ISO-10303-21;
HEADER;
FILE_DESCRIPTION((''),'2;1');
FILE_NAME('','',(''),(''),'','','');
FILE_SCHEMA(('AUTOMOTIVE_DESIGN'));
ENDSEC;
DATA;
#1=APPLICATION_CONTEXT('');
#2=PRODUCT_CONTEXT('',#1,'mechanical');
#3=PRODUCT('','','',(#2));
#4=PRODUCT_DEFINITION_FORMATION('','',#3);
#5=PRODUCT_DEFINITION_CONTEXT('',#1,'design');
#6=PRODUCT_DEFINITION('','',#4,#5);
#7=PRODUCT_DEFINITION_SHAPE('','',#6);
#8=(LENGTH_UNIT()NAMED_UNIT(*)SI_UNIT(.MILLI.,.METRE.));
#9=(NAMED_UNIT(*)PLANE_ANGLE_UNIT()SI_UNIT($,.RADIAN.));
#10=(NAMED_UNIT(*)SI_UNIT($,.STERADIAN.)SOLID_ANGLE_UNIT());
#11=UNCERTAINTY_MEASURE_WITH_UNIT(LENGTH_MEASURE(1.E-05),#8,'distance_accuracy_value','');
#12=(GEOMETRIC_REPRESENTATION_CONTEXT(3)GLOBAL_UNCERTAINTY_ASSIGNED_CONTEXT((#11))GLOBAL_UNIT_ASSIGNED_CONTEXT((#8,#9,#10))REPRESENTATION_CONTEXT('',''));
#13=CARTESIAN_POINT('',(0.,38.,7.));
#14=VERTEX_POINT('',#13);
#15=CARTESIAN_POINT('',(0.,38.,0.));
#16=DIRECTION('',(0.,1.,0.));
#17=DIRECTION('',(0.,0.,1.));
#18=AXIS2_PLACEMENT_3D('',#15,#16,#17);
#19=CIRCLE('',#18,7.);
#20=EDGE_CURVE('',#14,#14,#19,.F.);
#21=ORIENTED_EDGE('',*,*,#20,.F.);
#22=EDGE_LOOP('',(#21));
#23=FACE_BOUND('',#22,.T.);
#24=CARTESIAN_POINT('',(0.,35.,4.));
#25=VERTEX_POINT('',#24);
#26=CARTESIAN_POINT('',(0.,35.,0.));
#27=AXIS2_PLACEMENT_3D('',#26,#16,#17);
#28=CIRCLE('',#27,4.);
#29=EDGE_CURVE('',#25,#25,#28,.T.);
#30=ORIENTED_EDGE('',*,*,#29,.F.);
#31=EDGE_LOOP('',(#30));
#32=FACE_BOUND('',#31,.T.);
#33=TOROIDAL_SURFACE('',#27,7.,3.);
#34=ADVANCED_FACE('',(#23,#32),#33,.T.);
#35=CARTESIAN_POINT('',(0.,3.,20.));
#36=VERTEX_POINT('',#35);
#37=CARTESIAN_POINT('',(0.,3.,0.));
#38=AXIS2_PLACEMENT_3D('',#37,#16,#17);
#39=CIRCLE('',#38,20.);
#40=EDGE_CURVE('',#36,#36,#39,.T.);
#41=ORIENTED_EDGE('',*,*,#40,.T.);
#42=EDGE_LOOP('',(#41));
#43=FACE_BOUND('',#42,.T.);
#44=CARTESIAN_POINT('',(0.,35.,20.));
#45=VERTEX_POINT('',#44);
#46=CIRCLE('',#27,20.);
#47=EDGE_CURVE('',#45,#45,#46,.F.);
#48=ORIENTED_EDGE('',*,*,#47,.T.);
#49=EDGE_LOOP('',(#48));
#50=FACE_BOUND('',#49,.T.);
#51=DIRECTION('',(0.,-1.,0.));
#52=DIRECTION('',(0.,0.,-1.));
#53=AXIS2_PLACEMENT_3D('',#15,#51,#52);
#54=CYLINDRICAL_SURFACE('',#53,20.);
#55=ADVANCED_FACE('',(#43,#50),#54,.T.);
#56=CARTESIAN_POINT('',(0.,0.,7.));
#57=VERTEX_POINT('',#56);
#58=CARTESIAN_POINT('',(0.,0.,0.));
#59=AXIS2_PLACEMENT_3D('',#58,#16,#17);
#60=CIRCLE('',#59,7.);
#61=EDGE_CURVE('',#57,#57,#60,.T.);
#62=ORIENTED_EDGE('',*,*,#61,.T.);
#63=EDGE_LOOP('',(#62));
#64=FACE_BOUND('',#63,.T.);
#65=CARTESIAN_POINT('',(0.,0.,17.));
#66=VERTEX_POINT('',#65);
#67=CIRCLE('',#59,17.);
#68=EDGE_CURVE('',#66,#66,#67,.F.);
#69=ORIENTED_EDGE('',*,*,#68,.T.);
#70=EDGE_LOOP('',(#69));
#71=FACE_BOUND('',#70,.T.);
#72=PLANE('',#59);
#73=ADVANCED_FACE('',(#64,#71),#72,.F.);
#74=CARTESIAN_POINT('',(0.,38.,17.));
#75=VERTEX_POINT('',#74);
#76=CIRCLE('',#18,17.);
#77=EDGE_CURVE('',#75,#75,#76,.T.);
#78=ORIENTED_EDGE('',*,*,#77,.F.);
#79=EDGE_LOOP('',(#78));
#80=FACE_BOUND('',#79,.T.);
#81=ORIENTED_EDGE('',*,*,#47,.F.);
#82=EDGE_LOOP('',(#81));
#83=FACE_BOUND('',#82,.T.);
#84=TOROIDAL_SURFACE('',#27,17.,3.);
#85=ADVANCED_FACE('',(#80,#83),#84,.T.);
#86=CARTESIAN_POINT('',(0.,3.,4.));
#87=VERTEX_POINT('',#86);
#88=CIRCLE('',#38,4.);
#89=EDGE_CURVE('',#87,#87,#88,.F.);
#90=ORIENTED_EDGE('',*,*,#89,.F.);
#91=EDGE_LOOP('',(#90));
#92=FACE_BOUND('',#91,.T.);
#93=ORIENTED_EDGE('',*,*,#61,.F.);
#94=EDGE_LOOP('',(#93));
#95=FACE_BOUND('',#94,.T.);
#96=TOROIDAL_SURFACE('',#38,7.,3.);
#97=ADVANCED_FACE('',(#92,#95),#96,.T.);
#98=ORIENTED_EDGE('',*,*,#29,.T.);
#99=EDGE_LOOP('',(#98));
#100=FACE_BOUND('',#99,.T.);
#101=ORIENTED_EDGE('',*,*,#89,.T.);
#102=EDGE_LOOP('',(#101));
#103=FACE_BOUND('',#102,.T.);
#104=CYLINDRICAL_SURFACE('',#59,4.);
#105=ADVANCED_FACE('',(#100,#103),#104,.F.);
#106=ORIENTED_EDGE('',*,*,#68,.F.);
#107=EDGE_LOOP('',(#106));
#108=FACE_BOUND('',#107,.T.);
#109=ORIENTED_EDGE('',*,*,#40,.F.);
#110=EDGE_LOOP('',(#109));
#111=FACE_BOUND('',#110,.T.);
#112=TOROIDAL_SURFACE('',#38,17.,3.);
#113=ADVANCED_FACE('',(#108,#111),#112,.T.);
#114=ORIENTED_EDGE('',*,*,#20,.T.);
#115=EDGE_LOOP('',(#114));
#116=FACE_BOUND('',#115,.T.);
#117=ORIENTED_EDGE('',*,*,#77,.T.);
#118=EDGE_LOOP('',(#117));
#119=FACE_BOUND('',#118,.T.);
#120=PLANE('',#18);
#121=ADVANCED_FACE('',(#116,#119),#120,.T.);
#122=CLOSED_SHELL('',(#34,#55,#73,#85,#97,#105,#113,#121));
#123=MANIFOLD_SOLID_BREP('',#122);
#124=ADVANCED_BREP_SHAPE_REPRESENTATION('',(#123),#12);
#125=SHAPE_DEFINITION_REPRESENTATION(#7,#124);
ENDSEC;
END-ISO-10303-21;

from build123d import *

# Parameters (mm, degrees)
SKETCH1_R           = 20
BOSS_EXTRUDE1_DEPTH = 38
SKETCH4_R           = 4
CUT_EXTRUDE1_DEPTH  = 48.370877129
FILLET1_R           = 3


with BuildPart() as part:
    # Sketch1 → Boss-Extrude1 (new body)
    with BuildSketch(Plane(origin=(0, 0, 0), x_dir=(1, 0, 0), z_dir=(0, 1, 0))):
        with Locations(Location((0, 0, 0), (0, 0, 270))):
            Circle(SKETCH1_R)
    extrude(amount=BOSS_EXTRUDE1_DEPTH)

    # Sketch4 → Cut-Extrude1 (cut, through all)
    with BuildSketch(Plane(origin=(0, 38, 0), x_dir=(1, 0, 0), z_dir=(0, 1, 0))):
        with Locations(Location((0, 0, 0), (0, 0, 270))):
            Circle(SKETCH4_R)
    extrude(amount=-CUT_EXTRUDE1_DEPTH, mode=Mode.SUBTRACT)

    # Fillet1
    fillet1_edges = [part.edges().sort_by_distance(p)[0] for p in [
        (0, 0, -20),
        (0, 38, -20),
        (0, 0, -4),
        (0, 38, -4),
    ]]
    fillet(fillet1_edges, radius=FILLET1_R)


solid = part.part
